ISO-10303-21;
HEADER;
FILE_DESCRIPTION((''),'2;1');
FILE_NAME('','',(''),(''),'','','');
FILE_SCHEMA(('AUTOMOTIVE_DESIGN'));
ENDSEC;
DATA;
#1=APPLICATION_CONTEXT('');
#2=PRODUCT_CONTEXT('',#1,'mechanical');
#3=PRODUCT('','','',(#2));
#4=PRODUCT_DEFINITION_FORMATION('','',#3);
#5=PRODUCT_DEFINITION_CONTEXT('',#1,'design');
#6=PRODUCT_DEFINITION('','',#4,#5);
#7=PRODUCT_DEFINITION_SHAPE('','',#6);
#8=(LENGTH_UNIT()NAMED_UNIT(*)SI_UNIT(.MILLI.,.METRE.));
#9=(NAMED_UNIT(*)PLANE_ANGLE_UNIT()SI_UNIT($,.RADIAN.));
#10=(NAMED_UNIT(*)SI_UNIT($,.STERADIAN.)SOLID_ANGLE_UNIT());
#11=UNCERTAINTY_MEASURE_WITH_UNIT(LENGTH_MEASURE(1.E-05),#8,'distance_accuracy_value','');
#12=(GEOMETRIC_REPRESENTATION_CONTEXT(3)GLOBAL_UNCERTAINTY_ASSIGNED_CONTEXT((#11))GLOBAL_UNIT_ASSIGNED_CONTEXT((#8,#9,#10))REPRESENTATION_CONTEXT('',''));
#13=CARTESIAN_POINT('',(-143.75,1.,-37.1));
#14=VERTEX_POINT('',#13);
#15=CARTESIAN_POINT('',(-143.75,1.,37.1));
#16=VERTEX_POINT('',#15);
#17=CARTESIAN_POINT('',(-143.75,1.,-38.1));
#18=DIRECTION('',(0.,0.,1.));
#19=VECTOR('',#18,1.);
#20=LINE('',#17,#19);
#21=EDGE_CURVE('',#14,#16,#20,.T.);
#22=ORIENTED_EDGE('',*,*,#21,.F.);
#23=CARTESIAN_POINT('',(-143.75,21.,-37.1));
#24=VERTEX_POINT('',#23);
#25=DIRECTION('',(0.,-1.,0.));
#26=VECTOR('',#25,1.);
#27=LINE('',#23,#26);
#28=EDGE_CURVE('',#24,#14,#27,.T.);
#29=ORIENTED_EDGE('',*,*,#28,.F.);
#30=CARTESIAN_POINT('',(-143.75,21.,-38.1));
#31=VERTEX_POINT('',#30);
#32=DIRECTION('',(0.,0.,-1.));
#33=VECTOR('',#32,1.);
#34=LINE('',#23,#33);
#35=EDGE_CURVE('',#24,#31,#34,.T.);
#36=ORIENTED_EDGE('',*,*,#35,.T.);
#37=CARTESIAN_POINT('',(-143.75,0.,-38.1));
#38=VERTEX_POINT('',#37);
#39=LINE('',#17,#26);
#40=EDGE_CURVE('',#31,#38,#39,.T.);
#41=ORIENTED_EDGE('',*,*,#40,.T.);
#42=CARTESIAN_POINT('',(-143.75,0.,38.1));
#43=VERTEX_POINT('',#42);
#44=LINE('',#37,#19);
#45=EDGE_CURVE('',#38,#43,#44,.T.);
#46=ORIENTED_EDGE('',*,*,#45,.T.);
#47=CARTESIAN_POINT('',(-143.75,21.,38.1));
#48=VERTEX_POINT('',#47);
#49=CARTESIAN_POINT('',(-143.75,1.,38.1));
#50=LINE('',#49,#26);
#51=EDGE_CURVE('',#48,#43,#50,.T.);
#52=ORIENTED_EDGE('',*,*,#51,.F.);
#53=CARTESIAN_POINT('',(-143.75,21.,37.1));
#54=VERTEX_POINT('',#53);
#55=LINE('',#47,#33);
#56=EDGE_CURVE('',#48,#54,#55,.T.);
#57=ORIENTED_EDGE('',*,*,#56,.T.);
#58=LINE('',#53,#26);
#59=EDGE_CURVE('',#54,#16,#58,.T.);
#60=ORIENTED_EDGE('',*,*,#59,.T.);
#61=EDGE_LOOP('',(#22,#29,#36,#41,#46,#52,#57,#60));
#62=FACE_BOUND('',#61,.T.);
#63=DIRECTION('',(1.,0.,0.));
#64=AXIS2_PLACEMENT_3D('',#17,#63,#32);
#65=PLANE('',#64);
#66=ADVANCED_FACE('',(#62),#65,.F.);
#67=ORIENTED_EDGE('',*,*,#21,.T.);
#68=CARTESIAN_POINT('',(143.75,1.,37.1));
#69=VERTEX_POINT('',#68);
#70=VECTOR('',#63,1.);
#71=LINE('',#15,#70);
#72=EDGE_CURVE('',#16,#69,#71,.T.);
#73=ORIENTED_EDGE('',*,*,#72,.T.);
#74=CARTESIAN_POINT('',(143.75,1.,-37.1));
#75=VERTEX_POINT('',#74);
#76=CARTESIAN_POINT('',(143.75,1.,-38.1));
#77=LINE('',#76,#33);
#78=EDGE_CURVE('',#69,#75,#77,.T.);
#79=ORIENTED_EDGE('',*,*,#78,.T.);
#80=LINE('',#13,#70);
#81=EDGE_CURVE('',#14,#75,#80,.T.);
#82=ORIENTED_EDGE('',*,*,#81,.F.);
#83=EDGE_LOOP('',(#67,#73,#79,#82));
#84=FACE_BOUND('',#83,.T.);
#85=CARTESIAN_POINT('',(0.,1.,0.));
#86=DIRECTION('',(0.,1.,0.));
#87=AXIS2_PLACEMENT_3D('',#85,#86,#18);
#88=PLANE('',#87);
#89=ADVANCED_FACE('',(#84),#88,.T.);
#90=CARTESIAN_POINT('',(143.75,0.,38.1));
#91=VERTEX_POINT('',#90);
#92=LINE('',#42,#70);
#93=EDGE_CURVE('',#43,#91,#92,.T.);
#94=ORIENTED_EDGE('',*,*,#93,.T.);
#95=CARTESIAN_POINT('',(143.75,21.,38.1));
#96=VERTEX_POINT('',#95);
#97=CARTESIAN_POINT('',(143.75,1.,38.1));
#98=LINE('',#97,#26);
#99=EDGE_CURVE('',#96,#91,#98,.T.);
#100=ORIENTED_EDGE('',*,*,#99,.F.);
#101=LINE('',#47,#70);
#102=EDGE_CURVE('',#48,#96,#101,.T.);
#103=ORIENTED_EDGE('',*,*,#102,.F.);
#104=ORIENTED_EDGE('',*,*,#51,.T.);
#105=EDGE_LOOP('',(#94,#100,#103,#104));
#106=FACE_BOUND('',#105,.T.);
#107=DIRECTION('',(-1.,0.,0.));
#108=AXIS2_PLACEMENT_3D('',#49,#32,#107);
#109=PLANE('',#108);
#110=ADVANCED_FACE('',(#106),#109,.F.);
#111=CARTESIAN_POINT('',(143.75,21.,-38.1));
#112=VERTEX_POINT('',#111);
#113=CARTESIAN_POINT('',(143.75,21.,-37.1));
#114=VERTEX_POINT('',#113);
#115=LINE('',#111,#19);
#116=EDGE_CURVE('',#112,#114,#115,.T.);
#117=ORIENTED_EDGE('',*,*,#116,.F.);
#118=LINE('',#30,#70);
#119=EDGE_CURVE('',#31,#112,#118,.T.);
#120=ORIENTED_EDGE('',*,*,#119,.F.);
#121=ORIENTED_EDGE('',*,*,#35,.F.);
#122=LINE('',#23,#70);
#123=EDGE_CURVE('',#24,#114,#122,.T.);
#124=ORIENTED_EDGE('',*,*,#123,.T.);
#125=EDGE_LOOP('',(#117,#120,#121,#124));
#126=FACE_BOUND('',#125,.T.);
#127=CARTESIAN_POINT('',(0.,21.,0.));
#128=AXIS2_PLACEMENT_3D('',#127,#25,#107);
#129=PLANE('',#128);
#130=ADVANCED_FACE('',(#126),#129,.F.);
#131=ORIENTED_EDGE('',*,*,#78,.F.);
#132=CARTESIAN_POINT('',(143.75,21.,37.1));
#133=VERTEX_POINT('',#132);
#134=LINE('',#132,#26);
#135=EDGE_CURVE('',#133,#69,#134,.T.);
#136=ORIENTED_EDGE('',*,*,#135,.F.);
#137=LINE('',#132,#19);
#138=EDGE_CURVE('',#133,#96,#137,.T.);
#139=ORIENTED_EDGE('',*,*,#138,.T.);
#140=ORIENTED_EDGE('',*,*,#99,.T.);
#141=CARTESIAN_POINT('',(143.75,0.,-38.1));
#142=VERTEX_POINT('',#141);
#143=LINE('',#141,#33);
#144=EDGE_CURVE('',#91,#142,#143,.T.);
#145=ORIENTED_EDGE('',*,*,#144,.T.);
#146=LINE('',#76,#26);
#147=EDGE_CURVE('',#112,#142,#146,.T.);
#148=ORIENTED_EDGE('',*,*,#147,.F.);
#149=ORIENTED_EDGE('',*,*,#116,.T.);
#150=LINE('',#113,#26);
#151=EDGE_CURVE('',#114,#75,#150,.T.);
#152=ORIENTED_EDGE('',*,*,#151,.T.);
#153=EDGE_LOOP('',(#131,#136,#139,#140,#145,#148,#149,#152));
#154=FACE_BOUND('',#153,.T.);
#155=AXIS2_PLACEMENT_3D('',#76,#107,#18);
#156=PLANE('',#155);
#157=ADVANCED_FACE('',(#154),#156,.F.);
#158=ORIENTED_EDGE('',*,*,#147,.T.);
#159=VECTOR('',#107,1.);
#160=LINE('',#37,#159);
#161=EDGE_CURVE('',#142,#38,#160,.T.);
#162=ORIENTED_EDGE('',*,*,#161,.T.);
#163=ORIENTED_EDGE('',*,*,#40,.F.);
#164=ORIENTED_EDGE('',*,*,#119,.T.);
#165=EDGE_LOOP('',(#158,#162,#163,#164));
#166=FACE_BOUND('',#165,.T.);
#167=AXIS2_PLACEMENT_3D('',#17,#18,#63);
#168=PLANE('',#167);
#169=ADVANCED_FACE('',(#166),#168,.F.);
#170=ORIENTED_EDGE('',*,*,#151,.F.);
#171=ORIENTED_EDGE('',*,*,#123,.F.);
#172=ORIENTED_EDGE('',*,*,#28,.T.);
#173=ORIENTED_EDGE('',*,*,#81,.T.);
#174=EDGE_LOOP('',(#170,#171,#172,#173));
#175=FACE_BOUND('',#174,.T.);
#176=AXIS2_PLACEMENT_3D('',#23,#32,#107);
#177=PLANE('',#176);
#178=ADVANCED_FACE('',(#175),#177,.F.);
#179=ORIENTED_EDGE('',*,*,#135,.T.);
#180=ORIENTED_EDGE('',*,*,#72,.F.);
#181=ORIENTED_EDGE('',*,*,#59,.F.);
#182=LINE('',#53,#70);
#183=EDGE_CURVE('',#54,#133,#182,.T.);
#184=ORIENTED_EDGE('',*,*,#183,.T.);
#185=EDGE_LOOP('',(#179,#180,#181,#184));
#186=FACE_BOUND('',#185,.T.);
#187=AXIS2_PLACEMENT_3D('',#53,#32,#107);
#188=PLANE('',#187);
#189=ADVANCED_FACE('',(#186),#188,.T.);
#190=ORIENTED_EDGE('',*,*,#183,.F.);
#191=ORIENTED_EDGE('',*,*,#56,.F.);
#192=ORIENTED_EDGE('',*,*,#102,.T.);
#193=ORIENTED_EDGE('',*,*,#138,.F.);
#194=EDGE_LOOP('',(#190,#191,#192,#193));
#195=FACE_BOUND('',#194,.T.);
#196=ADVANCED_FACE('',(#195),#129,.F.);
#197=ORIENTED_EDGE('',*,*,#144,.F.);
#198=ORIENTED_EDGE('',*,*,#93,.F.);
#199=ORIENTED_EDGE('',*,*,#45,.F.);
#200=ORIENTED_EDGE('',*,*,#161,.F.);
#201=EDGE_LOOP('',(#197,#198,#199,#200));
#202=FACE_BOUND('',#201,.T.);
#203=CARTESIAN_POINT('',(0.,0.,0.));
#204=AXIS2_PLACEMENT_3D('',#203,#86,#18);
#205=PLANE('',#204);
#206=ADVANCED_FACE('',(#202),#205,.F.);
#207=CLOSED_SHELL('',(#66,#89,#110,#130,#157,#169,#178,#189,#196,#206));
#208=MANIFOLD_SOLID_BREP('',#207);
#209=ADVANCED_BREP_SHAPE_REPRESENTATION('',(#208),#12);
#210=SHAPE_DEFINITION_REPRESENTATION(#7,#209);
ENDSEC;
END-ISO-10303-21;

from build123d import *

# Parameters (mm, degrees)
SKETCH1_W           = 287.5
SKETCH1_H           = 76.2
BOSS_EXTRUDE1_DEPTH = 1
SKETCH2_W           = 287.5
SKETCH2_H           = 1
EXTRUDE_THIN1_DEPTH = 20
SKETCH5_W           = 287.5
SKETCH5_H           = 1
EXTRUDE_THIN2_DEPTH = 20


with BuildPart() as part:
    # Sketch1 → Boss-Extrude1 (new body)
    with BuildSketch(Plane(origin=(0, 0, 0), x_dir=(1, 0, 0), z_dir=(0, 1, 0))):
        Rectangle(SKETCH1_W, SKETCH1_H)
    extrude(amount=BOSS_EXTRUDE1_DEPTH)

    # Sketch2 → Extrude-Thin1 (add)
    with BuildSketch(Plane(origin=(0, 1, 0), x_dir=(1, 0, 0), z_dir=(0, 1, 0))):
        with Locations((0, -37.6)):
            Rectangle(SKETCH2_W, SKETCH2_H)
    extrude(amount=EXTRUDE_THIN1_DEPTH)

    # Sketch5 → Extrude-Thin2 (add)
    with BuildSketch(Plane(origin=(0, 1, 0), x_dir=(1, 0, 0), z_dir=(0, 1, 0))):
        with Locations((0, 37.6)):
            Rectangle(SKETCH5_W, SKETCH5_H)
    extrude(amount=EXTRUDE_THIN2_DEPTH)


solid = part.part
